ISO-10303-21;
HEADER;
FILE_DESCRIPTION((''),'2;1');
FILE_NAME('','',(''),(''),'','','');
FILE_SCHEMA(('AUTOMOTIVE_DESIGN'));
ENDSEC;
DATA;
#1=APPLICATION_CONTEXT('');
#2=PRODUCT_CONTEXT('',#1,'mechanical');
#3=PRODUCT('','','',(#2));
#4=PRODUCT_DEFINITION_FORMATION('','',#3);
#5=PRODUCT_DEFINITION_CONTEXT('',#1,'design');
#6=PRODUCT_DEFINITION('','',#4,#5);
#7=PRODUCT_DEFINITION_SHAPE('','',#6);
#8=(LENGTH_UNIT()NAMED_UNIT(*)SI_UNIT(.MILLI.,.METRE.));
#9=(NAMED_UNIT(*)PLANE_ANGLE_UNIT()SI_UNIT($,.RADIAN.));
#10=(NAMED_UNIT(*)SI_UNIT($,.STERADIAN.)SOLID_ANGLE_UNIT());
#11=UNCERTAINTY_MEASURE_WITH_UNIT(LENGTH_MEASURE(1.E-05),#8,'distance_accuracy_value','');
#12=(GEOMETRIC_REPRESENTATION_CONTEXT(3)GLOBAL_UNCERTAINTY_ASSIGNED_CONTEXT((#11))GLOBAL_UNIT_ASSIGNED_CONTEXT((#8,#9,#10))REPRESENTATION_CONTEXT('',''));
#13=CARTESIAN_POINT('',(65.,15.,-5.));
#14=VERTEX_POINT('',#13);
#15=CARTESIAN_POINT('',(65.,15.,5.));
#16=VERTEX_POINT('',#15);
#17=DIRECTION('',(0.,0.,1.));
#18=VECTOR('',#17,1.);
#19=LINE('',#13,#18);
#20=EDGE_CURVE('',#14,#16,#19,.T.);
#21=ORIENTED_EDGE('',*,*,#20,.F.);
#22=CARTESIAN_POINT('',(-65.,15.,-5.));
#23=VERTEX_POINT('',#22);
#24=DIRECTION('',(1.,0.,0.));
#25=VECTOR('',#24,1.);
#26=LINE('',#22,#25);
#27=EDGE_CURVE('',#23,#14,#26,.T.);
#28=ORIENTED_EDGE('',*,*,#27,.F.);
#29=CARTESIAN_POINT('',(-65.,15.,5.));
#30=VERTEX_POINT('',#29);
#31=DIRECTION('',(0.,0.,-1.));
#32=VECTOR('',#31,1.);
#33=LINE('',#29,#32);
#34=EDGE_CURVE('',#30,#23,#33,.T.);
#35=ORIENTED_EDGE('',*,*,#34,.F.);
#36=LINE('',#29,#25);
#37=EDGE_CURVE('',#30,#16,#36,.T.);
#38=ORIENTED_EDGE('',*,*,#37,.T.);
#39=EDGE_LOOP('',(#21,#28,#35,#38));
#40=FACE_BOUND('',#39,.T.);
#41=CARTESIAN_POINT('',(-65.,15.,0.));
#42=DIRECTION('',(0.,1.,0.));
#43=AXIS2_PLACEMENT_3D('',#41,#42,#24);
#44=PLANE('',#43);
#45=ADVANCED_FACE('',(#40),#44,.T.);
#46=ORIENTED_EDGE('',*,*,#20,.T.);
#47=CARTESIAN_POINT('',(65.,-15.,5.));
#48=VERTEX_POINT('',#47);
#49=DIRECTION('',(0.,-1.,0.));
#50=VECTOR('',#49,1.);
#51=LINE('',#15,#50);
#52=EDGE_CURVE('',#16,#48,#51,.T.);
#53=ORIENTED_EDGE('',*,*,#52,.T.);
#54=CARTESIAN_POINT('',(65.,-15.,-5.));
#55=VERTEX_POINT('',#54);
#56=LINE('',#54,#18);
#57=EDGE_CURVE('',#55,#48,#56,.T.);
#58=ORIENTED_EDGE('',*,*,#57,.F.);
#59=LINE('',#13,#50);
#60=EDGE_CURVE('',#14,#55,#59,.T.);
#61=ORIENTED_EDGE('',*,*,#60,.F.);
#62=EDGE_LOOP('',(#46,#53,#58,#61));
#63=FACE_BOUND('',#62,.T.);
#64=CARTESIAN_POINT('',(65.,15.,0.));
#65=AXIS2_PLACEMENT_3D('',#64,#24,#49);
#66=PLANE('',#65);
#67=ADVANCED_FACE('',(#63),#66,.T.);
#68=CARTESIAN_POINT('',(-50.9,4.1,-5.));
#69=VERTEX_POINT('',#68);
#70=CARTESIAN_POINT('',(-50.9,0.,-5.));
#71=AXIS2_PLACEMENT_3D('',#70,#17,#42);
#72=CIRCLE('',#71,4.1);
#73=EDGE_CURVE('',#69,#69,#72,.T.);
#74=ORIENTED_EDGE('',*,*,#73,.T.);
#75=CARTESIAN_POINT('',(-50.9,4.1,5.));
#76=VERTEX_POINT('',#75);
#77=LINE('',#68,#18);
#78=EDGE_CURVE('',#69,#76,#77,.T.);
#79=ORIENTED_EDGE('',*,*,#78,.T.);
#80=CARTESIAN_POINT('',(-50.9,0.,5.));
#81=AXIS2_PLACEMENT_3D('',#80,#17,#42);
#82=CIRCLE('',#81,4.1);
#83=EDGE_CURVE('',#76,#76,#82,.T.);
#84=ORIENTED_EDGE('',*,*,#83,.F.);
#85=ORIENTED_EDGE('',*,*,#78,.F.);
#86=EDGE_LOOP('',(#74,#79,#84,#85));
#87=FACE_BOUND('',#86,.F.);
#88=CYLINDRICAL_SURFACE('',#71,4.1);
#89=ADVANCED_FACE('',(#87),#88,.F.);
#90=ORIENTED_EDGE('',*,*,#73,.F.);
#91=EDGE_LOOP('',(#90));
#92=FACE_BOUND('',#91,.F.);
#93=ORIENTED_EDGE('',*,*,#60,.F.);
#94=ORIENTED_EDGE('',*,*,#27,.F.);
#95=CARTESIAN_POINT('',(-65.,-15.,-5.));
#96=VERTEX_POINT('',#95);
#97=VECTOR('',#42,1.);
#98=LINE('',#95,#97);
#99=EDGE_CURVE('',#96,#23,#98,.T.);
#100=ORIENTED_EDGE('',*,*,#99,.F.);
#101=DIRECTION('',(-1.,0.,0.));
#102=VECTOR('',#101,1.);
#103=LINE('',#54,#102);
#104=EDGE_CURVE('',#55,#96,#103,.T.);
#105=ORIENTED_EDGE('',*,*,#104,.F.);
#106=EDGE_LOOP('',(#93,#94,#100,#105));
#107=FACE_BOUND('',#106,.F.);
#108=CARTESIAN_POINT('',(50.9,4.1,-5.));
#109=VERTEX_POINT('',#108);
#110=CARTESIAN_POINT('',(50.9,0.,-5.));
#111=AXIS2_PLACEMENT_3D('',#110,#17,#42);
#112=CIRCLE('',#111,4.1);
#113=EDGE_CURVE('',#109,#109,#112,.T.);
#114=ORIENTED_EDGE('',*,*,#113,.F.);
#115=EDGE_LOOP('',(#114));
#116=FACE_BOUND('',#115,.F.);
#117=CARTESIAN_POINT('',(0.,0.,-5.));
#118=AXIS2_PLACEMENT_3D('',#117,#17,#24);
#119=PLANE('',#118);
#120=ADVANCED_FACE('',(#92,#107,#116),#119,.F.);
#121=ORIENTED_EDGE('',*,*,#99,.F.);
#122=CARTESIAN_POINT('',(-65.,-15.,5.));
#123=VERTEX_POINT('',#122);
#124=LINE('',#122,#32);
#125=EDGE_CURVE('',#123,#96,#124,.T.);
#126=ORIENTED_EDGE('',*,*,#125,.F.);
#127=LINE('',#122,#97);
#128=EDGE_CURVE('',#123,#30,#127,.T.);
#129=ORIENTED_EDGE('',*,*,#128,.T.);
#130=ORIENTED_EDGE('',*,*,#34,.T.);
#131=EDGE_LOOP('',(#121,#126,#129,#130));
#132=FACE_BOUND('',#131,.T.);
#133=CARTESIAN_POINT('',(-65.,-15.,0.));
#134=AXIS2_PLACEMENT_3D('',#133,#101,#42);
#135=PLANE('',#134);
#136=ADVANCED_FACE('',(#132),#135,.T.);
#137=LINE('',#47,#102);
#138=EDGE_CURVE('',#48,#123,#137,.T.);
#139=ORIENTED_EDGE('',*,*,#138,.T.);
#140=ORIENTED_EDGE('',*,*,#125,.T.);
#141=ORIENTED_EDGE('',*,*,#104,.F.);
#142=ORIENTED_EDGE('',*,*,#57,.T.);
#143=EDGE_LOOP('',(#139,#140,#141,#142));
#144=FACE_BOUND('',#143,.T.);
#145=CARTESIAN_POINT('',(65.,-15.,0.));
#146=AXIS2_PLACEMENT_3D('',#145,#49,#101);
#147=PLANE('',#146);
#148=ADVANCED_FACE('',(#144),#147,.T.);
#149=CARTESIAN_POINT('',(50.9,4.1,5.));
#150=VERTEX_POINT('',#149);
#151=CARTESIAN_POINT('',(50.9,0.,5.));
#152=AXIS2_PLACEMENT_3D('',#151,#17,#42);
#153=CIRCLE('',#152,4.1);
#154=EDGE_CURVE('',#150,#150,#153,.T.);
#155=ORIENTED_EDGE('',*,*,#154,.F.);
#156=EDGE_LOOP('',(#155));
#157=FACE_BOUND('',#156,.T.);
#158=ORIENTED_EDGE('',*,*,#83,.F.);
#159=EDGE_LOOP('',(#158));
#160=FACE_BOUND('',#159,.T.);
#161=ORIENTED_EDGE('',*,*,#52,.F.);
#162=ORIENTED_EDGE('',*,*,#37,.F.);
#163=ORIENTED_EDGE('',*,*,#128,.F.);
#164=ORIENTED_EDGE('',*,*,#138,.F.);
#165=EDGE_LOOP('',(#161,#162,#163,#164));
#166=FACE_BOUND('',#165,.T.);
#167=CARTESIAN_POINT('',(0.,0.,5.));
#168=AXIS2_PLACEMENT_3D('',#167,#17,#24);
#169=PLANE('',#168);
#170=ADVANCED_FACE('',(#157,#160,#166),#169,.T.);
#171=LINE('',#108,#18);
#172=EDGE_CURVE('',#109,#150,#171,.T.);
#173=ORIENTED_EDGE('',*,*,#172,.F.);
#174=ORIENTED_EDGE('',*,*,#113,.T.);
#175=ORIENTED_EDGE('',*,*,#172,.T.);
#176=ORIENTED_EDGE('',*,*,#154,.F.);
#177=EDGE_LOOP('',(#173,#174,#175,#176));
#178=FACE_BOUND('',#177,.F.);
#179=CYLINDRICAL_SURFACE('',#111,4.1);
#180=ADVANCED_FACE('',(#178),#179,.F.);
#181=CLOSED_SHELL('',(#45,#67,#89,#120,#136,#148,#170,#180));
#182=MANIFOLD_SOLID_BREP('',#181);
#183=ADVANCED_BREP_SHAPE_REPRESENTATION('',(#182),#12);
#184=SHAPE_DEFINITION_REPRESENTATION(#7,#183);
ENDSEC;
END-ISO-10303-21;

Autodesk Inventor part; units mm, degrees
ref_plane "YZ Plane" through (0, 0, 0) normal (1, 0, 0) x (0, 1, 0)
ref_plane "XZ Plane" through (0, 0, 0) normal (0, 1, 0) x (-1, 0, 0)
ref_plane "XY Plane" through (0, 0, 0) normal (0, 0, 1) x (1, 0, 0)
sketch "Sketch1" plane through (0, 0, 0) normal (0, 0, 1) x (1, 0, 0)
  line L0 (0, 21) -> (0, -21) construction
  line L1 (-91, 0) -> (91, 0) construction
  line L2 (65, -15) -> (-65, -15)
  line L3 (-65, -15) -> (-65, 15)
  line L4 (-65, 15) -> (65, 15)
  line L5 (65, 15) -> (65, -15)
  line L6 (65, -15) -> (-65, 15) construction
  line L7 (-65, -15) -> (65, 15) construction
  point P0 (0, 0)
  dimension "d4" = 130
  dimension "d5" = 30
extrude "Extrusion3" add sketch "Sketch1" along normal mid plane 10
sketch "Sketch2" plane through (0, 0, -5) normal (0, 0, -1) x (-1, 0, 0)
  point P0 (0, 0)
  point P1 (-50.9, 0)
  point P2 (50.9, 0)
  dimension "d8" = 101.8
  dimension "d9" = 50.9
hole "Hole1" at (50.9, 0, -5) at (-50.9, 0, -5) direction (0, 0, 1) diameter 8.2 end through all
equation "\"d9\" = 0.5 * d8"
properties part number "17-0028-0035" material "Copper"
